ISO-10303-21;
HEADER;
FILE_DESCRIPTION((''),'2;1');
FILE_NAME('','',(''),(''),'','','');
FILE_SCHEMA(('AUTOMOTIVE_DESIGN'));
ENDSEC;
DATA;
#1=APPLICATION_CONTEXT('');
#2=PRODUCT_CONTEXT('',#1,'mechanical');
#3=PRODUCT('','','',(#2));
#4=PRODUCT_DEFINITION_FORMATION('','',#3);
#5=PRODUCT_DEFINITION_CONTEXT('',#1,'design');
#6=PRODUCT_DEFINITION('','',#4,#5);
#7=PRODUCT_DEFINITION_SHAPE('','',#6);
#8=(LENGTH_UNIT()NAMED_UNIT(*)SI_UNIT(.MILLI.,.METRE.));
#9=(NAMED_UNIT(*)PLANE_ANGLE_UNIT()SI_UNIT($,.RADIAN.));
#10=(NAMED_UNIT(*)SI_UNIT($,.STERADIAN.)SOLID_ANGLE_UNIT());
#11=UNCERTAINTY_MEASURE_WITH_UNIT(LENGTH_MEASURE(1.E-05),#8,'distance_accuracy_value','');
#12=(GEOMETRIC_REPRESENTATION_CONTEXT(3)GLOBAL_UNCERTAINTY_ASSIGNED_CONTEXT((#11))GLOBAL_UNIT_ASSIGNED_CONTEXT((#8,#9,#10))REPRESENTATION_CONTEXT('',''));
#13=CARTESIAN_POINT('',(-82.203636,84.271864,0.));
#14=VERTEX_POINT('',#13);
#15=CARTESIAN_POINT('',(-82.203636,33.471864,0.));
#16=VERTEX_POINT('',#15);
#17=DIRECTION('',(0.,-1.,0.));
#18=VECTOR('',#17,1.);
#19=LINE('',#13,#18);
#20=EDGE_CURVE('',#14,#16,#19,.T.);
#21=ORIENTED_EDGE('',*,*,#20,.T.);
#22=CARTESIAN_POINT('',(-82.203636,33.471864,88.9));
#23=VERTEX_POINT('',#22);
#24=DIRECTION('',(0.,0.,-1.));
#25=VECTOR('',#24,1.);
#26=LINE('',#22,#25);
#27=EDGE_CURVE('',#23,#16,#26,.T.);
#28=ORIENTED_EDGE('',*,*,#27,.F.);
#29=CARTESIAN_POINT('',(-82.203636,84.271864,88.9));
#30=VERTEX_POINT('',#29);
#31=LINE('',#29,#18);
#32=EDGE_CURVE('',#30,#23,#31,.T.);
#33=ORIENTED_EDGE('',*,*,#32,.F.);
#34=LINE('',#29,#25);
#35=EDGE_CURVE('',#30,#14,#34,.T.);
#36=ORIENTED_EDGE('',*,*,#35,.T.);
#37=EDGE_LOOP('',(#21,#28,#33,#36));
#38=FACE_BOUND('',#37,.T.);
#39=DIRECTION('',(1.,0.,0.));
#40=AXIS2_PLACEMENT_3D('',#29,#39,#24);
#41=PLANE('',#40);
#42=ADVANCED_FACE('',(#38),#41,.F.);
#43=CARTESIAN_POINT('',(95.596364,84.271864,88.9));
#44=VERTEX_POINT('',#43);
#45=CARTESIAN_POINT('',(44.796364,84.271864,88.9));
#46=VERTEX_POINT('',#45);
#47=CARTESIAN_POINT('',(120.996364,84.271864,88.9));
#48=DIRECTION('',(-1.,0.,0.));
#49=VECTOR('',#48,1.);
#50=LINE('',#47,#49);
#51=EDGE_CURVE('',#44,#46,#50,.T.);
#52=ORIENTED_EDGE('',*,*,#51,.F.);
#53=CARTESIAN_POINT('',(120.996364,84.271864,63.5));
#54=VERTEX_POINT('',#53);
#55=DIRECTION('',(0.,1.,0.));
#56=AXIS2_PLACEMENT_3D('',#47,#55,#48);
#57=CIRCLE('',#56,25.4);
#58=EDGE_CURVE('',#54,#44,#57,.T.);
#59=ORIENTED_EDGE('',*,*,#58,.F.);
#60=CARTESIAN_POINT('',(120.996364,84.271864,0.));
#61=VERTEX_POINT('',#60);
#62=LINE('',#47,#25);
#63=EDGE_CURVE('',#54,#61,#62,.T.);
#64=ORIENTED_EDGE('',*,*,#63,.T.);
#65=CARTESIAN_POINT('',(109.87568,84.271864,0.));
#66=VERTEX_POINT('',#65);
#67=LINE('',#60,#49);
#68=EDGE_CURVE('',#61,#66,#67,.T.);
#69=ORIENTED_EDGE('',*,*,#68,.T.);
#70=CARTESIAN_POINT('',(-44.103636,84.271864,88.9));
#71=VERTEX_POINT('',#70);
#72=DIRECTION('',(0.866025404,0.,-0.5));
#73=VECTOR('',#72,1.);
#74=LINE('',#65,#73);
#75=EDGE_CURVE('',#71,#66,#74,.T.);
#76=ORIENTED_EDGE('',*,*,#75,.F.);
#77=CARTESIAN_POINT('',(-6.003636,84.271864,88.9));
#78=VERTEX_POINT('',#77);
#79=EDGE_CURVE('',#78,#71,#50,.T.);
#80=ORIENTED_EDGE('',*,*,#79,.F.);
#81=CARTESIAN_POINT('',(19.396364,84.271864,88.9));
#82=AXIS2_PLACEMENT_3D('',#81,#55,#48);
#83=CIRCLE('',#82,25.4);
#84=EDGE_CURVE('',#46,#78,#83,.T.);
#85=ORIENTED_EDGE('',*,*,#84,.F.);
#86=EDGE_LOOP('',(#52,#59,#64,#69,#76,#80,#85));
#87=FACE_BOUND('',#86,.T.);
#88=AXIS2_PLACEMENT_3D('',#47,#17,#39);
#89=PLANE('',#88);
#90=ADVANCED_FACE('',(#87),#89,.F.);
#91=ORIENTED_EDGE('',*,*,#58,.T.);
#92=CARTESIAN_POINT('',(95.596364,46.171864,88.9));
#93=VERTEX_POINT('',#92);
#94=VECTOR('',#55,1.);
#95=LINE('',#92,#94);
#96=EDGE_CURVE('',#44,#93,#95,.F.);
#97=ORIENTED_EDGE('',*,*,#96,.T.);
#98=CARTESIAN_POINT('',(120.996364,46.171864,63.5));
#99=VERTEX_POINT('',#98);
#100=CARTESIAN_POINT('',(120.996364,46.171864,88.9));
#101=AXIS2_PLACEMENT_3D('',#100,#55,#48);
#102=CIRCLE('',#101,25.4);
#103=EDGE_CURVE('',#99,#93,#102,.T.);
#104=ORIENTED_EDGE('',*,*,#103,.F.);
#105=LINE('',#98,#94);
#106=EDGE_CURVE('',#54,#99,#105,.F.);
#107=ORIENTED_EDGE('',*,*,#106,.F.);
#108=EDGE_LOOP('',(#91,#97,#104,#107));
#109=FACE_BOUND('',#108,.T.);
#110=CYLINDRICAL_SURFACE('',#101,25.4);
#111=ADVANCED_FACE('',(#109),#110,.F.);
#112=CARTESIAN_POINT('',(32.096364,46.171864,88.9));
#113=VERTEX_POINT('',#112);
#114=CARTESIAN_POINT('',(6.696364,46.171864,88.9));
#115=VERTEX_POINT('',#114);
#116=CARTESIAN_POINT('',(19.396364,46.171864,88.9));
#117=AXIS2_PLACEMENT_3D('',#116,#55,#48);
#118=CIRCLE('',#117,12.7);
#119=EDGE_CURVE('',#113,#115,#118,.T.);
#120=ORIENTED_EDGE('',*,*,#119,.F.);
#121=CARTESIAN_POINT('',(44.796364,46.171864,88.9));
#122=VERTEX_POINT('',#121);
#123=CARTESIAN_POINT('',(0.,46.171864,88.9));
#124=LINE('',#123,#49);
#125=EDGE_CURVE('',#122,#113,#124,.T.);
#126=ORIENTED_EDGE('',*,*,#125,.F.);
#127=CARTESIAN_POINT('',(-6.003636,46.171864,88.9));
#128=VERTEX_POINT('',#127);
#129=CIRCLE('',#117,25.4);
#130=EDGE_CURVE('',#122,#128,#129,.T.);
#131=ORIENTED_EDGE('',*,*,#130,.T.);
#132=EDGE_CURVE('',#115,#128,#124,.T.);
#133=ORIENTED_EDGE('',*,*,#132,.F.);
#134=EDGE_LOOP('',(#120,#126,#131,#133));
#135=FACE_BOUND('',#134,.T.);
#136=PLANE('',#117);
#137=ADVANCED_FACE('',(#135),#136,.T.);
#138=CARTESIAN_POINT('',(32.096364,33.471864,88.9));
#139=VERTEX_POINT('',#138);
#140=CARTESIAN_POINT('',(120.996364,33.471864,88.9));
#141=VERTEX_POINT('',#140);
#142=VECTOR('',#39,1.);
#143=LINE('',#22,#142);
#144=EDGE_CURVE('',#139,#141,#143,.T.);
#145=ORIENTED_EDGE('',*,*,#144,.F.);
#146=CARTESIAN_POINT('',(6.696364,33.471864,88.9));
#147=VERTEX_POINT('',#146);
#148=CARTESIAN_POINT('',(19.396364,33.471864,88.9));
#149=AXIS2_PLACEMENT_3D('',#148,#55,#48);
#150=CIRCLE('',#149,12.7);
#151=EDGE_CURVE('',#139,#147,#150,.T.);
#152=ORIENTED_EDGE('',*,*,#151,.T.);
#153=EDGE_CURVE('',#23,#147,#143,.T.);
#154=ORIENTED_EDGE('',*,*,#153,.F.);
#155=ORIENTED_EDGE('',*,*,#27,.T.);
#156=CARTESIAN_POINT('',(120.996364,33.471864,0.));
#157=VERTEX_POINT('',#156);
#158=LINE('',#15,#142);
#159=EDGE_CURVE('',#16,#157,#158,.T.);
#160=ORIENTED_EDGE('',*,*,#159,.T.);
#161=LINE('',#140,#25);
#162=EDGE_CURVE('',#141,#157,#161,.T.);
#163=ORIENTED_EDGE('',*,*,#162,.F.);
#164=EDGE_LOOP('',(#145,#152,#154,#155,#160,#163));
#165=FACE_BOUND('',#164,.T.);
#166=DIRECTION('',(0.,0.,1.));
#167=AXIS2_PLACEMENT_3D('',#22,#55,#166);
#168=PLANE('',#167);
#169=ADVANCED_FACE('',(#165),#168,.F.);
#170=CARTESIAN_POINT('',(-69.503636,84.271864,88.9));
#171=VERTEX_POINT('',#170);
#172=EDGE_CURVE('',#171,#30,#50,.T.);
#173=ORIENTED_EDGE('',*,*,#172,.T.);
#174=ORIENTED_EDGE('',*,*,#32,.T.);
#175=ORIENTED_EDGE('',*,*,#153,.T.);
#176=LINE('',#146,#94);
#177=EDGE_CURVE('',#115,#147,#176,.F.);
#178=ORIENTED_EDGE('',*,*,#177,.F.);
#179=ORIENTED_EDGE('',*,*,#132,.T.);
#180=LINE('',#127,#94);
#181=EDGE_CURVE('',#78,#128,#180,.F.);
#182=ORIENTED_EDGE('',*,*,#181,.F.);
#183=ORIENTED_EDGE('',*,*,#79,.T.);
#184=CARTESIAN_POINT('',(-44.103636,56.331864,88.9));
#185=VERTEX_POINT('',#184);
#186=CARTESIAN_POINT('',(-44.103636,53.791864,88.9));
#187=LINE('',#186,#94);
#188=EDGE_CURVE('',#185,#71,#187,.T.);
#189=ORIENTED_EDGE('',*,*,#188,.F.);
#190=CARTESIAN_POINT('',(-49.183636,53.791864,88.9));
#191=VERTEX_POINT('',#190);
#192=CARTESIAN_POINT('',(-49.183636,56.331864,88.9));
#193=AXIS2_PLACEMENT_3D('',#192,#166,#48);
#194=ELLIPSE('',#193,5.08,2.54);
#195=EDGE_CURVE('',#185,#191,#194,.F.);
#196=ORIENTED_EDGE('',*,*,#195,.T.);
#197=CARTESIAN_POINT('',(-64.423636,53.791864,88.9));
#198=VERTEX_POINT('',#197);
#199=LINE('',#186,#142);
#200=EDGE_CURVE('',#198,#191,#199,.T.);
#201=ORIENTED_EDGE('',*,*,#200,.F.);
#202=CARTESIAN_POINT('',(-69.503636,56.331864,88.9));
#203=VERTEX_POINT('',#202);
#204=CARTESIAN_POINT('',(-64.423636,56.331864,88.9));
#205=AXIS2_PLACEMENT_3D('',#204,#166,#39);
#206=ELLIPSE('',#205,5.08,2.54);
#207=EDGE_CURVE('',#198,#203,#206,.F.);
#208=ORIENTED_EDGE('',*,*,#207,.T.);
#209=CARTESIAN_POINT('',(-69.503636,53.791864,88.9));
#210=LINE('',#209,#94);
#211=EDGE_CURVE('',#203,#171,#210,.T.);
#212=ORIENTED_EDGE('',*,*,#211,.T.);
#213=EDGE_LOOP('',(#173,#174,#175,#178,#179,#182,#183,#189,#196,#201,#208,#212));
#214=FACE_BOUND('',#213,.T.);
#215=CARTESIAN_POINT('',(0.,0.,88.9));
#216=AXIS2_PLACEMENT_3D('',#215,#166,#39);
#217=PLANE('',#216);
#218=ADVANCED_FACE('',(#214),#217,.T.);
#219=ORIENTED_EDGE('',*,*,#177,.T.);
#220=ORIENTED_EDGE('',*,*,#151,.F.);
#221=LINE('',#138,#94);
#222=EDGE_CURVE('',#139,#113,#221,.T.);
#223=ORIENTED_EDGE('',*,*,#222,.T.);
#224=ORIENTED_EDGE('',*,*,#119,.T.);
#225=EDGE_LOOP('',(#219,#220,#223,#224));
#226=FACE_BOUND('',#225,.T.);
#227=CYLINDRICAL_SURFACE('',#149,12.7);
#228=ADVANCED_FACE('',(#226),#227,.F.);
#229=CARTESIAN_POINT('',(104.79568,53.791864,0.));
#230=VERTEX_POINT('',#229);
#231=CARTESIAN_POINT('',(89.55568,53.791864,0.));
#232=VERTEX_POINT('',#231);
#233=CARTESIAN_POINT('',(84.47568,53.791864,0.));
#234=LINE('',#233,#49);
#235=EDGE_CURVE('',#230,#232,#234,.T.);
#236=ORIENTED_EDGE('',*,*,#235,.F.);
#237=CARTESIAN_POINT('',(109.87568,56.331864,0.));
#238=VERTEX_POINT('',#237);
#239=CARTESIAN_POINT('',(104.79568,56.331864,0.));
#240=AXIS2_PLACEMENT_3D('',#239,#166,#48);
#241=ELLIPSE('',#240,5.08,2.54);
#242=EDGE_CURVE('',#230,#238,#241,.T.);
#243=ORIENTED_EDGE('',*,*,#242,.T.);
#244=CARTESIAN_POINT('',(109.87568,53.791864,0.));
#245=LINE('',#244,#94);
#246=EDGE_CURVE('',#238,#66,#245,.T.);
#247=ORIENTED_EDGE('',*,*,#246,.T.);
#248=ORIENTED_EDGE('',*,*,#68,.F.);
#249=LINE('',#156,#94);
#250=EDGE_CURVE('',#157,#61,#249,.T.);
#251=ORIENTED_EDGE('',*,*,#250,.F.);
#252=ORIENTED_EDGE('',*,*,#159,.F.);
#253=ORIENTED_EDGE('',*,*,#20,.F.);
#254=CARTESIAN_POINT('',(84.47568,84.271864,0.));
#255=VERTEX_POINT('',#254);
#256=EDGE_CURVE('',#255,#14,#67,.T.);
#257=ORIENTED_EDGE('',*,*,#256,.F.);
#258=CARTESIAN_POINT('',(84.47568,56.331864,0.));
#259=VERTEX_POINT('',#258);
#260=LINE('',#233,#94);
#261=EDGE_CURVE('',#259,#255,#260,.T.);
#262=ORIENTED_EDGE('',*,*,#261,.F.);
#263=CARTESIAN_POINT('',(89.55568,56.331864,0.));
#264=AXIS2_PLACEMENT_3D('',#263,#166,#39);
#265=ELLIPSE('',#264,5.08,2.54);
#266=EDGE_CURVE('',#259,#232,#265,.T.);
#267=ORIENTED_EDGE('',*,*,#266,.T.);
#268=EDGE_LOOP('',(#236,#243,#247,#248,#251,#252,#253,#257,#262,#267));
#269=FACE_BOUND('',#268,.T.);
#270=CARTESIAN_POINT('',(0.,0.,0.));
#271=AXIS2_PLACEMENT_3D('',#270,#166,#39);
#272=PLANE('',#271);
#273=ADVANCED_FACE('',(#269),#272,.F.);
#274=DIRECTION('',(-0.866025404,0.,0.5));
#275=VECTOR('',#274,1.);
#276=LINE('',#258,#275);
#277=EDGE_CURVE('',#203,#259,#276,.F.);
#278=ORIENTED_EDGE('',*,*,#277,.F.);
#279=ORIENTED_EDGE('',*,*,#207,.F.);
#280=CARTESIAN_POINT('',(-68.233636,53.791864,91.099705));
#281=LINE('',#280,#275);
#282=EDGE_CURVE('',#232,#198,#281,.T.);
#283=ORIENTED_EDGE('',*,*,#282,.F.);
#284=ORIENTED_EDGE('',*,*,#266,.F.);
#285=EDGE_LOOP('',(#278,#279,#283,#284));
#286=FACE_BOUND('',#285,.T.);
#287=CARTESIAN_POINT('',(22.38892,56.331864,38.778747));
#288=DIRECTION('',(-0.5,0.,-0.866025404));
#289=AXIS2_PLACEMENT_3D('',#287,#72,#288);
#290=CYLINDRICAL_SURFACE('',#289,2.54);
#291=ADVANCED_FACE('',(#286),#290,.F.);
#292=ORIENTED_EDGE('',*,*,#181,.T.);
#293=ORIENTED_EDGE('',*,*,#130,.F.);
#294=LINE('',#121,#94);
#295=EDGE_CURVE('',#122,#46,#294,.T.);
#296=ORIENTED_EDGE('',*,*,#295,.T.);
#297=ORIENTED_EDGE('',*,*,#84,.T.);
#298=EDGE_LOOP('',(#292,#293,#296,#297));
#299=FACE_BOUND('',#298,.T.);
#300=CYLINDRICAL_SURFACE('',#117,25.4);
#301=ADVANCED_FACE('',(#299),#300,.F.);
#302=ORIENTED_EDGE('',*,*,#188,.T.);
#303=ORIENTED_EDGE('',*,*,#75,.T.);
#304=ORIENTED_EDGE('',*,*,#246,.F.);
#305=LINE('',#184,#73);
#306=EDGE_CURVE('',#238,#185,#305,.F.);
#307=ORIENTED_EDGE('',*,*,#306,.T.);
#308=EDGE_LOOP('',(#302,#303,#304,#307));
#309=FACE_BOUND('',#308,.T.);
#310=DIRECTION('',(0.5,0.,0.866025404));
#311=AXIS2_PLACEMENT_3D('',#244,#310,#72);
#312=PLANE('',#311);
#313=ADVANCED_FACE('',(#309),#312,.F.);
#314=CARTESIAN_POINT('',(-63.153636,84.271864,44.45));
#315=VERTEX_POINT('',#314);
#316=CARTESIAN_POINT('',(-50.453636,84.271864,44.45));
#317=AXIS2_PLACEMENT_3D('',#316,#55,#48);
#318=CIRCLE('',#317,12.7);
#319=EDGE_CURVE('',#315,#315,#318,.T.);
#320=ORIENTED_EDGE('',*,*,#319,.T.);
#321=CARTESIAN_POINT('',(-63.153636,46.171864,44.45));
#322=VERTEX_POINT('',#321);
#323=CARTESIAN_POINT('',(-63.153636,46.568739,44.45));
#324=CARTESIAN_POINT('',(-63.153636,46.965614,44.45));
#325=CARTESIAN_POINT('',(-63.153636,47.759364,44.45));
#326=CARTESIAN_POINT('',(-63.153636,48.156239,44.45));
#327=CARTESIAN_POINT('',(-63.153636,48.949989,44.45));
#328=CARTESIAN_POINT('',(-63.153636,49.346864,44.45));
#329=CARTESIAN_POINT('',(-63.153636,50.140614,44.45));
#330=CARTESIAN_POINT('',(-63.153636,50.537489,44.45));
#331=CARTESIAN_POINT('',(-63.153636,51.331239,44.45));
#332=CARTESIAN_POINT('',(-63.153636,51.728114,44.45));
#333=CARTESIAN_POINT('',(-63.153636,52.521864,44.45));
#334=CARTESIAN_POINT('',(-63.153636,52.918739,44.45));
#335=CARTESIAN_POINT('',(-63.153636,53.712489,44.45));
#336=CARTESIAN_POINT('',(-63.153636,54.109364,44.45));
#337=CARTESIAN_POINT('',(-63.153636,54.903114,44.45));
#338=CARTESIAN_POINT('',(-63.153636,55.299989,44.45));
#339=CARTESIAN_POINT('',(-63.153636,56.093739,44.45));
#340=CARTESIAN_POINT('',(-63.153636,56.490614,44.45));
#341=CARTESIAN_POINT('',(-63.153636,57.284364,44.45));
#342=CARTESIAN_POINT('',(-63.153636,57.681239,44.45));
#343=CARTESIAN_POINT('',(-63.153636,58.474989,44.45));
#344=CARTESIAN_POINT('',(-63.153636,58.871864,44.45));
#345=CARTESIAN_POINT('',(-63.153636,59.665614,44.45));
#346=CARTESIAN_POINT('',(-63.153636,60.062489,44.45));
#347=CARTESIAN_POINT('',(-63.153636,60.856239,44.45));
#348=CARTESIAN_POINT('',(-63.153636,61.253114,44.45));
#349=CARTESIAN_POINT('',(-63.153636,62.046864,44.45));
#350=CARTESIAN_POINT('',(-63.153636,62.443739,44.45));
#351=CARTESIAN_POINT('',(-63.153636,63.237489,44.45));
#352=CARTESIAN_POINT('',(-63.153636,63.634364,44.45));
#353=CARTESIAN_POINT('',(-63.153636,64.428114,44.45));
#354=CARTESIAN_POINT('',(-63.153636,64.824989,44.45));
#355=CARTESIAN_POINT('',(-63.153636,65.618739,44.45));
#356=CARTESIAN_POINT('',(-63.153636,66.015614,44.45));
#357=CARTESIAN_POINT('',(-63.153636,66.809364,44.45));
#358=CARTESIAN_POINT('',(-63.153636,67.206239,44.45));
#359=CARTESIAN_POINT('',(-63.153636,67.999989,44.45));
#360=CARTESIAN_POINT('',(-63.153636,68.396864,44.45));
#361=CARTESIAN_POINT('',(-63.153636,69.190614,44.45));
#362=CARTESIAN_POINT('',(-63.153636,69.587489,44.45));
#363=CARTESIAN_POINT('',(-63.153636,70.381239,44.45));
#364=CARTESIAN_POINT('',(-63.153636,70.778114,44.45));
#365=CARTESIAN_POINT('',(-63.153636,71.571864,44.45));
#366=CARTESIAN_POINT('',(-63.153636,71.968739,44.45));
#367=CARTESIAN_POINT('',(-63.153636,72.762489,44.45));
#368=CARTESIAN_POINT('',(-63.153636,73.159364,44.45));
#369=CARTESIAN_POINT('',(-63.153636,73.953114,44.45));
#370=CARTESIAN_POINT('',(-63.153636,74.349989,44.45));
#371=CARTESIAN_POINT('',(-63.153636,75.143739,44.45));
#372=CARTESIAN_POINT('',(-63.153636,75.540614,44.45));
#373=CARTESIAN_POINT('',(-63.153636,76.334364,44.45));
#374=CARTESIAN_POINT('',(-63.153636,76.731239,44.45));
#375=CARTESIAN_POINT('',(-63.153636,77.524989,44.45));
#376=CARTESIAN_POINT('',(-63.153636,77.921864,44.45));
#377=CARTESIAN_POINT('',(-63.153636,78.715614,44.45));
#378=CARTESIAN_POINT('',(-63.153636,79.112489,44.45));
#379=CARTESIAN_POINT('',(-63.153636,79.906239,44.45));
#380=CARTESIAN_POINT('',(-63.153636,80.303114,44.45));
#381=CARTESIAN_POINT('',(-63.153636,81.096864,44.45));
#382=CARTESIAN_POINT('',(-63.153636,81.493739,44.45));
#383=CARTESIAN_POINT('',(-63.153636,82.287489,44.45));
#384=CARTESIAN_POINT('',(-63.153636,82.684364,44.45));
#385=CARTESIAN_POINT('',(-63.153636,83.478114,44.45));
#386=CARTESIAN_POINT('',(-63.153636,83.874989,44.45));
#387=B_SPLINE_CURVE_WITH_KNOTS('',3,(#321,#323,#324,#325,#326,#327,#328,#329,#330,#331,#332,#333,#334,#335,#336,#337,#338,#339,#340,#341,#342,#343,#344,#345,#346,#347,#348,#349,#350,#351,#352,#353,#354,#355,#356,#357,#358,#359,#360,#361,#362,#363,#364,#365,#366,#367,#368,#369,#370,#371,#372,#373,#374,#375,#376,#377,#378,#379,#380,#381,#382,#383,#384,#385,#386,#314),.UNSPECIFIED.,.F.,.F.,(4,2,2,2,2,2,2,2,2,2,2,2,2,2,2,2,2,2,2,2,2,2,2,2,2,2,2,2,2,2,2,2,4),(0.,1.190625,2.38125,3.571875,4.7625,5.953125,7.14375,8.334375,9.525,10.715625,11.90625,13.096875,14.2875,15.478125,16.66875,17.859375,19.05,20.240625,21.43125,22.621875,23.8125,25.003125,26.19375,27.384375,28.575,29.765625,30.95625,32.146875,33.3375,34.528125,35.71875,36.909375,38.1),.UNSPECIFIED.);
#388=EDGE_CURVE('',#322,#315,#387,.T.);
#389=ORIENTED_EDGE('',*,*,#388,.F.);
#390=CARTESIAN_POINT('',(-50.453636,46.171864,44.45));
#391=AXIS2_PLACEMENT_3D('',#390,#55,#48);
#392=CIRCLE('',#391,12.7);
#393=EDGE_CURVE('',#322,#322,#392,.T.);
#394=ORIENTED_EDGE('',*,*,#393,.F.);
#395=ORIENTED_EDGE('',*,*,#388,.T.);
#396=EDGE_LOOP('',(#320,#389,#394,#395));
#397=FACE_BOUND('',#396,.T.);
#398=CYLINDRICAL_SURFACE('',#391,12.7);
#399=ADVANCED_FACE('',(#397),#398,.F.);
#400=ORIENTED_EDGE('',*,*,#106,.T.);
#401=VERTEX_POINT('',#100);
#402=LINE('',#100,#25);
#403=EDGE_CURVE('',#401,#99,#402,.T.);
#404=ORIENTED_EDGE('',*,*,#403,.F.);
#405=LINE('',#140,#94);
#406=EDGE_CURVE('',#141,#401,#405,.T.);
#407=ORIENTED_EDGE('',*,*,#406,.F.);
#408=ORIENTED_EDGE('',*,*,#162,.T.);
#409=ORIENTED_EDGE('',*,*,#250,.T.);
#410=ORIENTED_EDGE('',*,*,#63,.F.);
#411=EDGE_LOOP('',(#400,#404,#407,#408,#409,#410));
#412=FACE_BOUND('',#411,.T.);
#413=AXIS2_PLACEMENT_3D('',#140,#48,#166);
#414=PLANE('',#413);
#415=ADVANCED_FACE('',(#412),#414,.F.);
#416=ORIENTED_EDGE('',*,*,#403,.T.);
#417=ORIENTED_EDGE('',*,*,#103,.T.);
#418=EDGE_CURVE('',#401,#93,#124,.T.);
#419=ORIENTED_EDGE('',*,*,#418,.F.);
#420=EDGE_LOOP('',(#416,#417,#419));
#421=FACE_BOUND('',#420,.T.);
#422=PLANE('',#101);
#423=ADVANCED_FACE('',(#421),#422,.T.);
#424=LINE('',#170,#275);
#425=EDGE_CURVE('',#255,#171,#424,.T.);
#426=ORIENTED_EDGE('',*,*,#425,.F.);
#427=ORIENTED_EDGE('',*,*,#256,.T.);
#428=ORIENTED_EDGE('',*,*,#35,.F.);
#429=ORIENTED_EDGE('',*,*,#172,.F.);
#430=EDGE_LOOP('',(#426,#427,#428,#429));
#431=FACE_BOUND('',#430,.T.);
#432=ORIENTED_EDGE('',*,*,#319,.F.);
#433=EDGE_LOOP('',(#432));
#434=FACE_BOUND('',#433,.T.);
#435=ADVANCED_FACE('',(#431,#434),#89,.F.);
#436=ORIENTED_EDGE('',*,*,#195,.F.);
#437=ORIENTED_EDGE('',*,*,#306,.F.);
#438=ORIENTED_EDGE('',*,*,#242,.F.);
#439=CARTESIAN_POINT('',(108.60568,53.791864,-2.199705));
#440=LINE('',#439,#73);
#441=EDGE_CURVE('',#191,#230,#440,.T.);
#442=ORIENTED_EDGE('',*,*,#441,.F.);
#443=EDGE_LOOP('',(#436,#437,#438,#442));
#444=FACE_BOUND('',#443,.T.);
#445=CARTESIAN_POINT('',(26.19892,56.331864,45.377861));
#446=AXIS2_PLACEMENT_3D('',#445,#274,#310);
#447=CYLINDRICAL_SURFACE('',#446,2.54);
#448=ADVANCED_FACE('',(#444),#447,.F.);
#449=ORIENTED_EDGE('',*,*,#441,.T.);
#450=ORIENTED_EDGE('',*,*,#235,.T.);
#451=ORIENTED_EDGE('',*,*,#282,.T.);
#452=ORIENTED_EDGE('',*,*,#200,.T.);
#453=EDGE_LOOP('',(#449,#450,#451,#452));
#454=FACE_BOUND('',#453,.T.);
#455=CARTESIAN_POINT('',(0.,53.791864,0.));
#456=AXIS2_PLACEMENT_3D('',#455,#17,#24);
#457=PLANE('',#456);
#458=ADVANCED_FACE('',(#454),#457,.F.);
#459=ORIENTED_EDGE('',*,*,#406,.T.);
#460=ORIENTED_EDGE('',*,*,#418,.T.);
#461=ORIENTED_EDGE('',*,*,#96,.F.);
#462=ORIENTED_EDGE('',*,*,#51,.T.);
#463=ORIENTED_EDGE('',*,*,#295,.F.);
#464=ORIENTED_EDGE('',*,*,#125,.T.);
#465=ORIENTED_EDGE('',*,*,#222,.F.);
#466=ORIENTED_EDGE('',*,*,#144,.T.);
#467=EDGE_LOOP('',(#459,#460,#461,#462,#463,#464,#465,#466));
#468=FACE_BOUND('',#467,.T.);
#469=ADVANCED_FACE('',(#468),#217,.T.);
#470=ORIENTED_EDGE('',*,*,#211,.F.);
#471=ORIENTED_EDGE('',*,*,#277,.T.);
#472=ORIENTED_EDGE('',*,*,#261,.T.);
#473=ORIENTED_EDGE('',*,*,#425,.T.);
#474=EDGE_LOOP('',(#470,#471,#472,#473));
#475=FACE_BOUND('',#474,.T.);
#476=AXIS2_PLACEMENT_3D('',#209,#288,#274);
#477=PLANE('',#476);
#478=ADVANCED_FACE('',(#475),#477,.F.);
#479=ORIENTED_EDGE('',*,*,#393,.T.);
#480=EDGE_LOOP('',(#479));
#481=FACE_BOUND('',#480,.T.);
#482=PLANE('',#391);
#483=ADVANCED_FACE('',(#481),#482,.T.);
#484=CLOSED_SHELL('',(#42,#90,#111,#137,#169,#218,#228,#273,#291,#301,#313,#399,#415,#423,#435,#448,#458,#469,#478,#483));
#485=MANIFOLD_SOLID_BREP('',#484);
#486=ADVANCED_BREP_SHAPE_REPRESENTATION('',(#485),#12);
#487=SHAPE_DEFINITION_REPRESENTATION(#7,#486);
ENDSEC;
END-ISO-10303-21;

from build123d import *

# Parameters (mm, degrees)
SKETCH1_W           = 203.2
SKETCH1_H           = 50.8
BOSS_EXTRUDE1_DEPTH = 88.9
SKETCH2_R           = 12.7
SKETCH2_R_2         = 25.4
CUT_EXTRUDE1_DEPTH  = 38.1
SKETCH3_R           = 12.7
CUT_EXTRUDE2_DEPTH  = 155.90300195
CUT_EXTRUDE3_DEPTH  = 30.48
FILLET1_R           = 2.54


with BuildPart() as part:
    # Sketch1 → Boss-Extrude1 (new body)
    with BuildSketch(Plane.XY):
        with Locations((19.396363636, 58.871863724)):
            Rectangle(SKETCH1_W, SKETCH1_H)
    extrude(amount=BOSS_EXTRUDE1_DEPTH)

    # Sketch2 → Cut-Extrude1 (cut)
    with BuildSketch(Plane(origin=(0, 84.271863724, 0), x_dir=(1, 0, 0), z_dir=(0, 1, 0))):
        with Locations(Location((-50.453636364, -44.45, 0), (0, 0, 180))):
            Circle(SKETCH2_R)
        with Locations((19.396363636, -88.9)):
            Circle(SKETCH2_R_2)
        with Locations((120.996363636, -88.9)):
            Circle(SKETCH2_R_2)
    extrude(amount=-CUT_EXTRUDE1_DEPTH, mode=Mode.SUBTRACT)

    # Sketch3 → Cut-Extrude2 (cut, through all)
    with BuildSketch(Plane(origin=(0, 46.171863724, 0), x_dir=(1, 0, 0), z_dir=(0, 1, 0))):
        with Locations((19.396363636, -88.9)):
            Circle(SKETCH3_R)
    extrude(amount=-CUT_EXTRUDE2_DEPTH, mode=Mode.SUBTRACT)

    # Sketch4 → Cut-Extrude3 (cut)
    with BuildSketch(Plane(origin=(0, 84.271863724, 0), x_dir=(1, 0, 0), z_dir=(0, 1, 0))):
        Polygon((-69.503636364, -88.9), (84.475680429, 0), (109.875680429, 0), (-44.103636364, -88.9), align=None)
    extrude(amount=-CUT_EXTRUDE3_DEPTH, mode=Mode.SUBTRACT)

    # Fillet1
    fillet1_edges = [part.edges().sort_by_distance(p)[0] for p in [
        (7.486022033, 53.791863724, 44.45),
        (32.886022033, 53.791863724, 44.45),
    ]]
    fillet(fillet1_edges, radius=FILLET1_R)


solid = part.part
